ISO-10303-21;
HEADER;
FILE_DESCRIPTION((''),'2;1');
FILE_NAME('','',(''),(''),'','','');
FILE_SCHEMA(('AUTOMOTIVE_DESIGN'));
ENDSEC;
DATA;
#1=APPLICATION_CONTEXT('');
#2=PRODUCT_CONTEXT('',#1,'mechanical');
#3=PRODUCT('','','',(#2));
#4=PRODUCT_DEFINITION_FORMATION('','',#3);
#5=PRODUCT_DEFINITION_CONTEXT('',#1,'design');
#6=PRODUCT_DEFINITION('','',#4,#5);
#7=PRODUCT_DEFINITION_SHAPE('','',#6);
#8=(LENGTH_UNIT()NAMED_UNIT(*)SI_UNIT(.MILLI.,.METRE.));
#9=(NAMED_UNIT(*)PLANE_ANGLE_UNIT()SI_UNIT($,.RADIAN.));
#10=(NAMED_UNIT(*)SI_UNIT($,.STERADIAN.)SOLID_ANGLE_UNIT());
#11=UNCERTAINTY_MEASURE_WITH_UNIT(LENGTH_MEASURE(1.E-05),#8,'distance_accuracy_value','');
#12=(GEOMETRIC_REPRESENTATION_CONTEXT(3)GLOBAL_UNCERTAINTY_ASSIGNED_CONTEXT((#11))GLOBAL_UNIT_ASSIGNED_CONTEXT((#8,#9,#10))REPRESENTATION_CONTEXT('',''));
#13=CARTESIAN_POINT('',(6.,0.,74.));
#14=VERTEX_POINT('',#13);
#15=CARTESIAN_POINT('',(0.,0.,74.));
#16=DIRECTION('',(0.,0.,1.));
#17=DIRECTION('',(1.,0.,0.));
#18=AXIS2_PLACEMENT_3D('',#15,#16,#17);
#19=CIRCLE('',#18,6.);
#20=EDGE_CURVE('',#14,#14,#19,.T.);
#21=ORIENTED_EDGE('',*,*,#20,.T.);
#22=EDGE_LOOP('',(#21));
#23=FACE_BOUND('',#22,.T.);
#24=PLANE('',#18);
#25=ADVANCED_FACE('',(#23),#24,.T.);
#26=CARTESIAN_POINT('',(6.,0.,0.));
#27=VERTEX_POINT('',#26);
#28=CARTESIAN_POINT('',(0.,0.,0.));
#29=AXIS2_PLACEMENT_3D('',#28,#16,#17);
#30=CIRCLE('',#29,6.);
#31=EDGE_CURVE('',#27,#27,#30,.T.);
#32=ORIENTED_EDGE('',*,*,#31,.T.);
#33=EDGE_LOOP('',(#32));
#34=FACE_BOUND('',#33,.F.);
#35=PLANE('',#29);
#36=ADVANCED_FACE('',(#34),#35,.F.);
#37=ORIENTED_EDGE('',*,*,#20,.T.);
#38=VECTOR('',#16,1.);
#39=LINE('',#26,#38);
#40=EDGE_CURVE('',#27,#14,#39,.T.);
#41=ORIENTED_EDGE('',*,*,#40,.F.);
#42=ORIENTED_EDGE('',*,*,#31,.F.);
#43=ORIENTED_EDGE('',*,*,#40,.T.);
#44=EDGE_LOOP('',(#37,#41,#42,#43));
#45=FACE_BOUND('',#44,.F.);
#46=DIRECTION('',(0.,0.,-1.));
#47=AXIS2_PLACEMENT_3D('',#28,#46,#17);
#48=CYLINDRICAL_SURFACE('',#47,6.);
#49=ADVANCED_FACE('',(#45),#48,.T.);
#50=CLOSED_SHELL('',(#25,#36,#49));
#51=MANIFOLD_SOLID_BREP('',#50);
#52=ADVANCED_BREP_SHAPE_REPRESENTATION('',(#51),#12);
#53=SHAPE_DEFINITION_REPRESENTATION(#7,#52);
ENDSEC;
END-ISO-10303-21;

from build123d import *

# Parameters (mm, degrees)
SKETCH_R  = 6
PAD_DEPTH = 74


with BuildPart() as part:
    # Sketch → Pad (new body)
    with BuildSketch(Plane.XY):
        Circle(SKETCH_R)
    extrude(amount=PAD_DEPTH)


solid = part.part
